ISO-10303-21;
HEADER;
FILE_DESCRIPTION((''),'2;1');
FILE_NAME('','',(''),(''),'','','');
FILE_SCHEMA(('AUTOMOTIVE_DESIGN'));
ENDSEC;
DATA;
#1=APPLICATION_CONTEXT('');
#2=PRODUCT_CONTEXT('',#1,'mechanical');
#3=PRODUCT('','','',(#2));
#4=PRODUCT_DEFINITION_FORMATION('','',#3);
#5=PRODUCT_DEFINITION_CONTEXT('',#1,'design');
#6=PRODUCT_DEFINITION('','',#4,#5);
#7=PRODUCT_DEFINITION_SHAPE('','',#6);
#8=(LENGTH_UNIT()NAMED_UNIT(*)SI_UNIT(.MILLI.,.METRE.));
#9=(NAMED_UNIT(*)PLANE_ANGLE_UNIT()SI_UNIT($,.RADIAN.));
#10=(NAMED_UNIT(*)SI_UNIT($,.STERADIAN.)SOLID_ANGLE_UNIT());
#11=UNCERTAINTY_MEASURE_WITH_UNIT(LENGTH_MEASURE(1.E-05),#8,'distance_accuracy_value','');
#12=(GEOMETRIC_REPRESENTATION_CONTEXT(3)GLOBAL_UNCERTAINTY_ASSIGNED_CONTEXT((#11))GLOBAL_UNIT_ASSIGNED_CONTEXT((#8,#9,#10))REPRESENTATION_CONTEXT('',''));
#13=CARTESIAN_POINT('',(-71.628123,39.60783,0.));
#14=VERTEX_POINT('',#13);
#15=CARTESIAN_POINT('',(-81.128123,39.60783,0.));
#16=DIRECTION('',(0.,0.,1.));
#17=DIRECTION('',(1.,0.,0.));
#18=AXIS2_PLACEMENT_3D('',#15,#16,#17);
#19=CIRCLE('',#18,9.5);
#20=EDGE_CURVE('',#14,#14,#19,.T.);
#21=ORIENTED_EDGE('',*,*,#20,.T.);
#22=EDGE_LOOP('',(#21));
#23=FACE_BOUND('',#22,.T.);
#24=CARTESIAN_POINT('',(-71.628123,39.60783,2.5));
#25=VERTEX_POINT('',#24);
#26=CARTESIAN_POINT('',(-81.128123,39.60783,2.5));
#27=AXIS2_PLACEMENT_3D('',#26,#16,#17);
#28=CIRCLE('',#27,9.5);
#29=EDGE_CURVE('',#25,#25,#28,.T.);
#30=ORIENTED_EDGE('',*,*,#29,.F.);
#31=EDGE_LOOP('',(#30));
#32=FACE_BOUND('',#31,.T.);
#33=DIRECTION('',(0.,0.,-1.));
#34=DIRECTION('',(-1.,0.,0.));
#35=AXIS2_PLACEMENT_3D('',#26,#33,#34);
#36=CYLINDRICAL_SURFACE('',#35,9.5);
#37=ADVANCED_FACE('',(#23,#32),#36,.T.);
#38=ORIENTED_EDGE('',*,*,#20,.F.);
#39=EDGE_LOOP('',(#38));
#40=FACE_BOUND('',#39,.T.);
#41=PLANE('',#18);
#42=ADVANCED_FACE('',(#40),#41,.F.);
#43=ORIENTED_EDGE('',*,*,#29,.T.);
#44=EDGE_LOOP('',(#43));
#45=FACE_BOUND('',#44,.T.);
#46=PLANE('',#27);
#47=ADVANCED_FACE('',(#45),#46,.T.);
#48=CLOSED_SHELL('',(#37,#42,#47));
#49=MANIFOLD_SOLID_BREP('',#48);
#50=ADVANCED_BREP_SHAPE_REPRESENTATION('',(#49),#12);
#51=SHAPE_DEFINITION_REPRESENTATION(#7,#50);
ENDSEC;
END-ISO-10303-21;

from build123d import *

# Parameters (mm, degrees)
SKETCH1_R           = 9.5
BOSS_EXTRUDE1_DEPTH = 2.5


with BuildPart() as part:
    # Sketch1 → Boss-Extrude1 (new body)
    with BuildSketch(Plane.XY):
        with Locations((-81.128123424, 39.607830204)):
            Circle(SKETCH1_R)
    extrude(amount=BOSS_EXTRUDE1_DEPTH)


solid = part.part
